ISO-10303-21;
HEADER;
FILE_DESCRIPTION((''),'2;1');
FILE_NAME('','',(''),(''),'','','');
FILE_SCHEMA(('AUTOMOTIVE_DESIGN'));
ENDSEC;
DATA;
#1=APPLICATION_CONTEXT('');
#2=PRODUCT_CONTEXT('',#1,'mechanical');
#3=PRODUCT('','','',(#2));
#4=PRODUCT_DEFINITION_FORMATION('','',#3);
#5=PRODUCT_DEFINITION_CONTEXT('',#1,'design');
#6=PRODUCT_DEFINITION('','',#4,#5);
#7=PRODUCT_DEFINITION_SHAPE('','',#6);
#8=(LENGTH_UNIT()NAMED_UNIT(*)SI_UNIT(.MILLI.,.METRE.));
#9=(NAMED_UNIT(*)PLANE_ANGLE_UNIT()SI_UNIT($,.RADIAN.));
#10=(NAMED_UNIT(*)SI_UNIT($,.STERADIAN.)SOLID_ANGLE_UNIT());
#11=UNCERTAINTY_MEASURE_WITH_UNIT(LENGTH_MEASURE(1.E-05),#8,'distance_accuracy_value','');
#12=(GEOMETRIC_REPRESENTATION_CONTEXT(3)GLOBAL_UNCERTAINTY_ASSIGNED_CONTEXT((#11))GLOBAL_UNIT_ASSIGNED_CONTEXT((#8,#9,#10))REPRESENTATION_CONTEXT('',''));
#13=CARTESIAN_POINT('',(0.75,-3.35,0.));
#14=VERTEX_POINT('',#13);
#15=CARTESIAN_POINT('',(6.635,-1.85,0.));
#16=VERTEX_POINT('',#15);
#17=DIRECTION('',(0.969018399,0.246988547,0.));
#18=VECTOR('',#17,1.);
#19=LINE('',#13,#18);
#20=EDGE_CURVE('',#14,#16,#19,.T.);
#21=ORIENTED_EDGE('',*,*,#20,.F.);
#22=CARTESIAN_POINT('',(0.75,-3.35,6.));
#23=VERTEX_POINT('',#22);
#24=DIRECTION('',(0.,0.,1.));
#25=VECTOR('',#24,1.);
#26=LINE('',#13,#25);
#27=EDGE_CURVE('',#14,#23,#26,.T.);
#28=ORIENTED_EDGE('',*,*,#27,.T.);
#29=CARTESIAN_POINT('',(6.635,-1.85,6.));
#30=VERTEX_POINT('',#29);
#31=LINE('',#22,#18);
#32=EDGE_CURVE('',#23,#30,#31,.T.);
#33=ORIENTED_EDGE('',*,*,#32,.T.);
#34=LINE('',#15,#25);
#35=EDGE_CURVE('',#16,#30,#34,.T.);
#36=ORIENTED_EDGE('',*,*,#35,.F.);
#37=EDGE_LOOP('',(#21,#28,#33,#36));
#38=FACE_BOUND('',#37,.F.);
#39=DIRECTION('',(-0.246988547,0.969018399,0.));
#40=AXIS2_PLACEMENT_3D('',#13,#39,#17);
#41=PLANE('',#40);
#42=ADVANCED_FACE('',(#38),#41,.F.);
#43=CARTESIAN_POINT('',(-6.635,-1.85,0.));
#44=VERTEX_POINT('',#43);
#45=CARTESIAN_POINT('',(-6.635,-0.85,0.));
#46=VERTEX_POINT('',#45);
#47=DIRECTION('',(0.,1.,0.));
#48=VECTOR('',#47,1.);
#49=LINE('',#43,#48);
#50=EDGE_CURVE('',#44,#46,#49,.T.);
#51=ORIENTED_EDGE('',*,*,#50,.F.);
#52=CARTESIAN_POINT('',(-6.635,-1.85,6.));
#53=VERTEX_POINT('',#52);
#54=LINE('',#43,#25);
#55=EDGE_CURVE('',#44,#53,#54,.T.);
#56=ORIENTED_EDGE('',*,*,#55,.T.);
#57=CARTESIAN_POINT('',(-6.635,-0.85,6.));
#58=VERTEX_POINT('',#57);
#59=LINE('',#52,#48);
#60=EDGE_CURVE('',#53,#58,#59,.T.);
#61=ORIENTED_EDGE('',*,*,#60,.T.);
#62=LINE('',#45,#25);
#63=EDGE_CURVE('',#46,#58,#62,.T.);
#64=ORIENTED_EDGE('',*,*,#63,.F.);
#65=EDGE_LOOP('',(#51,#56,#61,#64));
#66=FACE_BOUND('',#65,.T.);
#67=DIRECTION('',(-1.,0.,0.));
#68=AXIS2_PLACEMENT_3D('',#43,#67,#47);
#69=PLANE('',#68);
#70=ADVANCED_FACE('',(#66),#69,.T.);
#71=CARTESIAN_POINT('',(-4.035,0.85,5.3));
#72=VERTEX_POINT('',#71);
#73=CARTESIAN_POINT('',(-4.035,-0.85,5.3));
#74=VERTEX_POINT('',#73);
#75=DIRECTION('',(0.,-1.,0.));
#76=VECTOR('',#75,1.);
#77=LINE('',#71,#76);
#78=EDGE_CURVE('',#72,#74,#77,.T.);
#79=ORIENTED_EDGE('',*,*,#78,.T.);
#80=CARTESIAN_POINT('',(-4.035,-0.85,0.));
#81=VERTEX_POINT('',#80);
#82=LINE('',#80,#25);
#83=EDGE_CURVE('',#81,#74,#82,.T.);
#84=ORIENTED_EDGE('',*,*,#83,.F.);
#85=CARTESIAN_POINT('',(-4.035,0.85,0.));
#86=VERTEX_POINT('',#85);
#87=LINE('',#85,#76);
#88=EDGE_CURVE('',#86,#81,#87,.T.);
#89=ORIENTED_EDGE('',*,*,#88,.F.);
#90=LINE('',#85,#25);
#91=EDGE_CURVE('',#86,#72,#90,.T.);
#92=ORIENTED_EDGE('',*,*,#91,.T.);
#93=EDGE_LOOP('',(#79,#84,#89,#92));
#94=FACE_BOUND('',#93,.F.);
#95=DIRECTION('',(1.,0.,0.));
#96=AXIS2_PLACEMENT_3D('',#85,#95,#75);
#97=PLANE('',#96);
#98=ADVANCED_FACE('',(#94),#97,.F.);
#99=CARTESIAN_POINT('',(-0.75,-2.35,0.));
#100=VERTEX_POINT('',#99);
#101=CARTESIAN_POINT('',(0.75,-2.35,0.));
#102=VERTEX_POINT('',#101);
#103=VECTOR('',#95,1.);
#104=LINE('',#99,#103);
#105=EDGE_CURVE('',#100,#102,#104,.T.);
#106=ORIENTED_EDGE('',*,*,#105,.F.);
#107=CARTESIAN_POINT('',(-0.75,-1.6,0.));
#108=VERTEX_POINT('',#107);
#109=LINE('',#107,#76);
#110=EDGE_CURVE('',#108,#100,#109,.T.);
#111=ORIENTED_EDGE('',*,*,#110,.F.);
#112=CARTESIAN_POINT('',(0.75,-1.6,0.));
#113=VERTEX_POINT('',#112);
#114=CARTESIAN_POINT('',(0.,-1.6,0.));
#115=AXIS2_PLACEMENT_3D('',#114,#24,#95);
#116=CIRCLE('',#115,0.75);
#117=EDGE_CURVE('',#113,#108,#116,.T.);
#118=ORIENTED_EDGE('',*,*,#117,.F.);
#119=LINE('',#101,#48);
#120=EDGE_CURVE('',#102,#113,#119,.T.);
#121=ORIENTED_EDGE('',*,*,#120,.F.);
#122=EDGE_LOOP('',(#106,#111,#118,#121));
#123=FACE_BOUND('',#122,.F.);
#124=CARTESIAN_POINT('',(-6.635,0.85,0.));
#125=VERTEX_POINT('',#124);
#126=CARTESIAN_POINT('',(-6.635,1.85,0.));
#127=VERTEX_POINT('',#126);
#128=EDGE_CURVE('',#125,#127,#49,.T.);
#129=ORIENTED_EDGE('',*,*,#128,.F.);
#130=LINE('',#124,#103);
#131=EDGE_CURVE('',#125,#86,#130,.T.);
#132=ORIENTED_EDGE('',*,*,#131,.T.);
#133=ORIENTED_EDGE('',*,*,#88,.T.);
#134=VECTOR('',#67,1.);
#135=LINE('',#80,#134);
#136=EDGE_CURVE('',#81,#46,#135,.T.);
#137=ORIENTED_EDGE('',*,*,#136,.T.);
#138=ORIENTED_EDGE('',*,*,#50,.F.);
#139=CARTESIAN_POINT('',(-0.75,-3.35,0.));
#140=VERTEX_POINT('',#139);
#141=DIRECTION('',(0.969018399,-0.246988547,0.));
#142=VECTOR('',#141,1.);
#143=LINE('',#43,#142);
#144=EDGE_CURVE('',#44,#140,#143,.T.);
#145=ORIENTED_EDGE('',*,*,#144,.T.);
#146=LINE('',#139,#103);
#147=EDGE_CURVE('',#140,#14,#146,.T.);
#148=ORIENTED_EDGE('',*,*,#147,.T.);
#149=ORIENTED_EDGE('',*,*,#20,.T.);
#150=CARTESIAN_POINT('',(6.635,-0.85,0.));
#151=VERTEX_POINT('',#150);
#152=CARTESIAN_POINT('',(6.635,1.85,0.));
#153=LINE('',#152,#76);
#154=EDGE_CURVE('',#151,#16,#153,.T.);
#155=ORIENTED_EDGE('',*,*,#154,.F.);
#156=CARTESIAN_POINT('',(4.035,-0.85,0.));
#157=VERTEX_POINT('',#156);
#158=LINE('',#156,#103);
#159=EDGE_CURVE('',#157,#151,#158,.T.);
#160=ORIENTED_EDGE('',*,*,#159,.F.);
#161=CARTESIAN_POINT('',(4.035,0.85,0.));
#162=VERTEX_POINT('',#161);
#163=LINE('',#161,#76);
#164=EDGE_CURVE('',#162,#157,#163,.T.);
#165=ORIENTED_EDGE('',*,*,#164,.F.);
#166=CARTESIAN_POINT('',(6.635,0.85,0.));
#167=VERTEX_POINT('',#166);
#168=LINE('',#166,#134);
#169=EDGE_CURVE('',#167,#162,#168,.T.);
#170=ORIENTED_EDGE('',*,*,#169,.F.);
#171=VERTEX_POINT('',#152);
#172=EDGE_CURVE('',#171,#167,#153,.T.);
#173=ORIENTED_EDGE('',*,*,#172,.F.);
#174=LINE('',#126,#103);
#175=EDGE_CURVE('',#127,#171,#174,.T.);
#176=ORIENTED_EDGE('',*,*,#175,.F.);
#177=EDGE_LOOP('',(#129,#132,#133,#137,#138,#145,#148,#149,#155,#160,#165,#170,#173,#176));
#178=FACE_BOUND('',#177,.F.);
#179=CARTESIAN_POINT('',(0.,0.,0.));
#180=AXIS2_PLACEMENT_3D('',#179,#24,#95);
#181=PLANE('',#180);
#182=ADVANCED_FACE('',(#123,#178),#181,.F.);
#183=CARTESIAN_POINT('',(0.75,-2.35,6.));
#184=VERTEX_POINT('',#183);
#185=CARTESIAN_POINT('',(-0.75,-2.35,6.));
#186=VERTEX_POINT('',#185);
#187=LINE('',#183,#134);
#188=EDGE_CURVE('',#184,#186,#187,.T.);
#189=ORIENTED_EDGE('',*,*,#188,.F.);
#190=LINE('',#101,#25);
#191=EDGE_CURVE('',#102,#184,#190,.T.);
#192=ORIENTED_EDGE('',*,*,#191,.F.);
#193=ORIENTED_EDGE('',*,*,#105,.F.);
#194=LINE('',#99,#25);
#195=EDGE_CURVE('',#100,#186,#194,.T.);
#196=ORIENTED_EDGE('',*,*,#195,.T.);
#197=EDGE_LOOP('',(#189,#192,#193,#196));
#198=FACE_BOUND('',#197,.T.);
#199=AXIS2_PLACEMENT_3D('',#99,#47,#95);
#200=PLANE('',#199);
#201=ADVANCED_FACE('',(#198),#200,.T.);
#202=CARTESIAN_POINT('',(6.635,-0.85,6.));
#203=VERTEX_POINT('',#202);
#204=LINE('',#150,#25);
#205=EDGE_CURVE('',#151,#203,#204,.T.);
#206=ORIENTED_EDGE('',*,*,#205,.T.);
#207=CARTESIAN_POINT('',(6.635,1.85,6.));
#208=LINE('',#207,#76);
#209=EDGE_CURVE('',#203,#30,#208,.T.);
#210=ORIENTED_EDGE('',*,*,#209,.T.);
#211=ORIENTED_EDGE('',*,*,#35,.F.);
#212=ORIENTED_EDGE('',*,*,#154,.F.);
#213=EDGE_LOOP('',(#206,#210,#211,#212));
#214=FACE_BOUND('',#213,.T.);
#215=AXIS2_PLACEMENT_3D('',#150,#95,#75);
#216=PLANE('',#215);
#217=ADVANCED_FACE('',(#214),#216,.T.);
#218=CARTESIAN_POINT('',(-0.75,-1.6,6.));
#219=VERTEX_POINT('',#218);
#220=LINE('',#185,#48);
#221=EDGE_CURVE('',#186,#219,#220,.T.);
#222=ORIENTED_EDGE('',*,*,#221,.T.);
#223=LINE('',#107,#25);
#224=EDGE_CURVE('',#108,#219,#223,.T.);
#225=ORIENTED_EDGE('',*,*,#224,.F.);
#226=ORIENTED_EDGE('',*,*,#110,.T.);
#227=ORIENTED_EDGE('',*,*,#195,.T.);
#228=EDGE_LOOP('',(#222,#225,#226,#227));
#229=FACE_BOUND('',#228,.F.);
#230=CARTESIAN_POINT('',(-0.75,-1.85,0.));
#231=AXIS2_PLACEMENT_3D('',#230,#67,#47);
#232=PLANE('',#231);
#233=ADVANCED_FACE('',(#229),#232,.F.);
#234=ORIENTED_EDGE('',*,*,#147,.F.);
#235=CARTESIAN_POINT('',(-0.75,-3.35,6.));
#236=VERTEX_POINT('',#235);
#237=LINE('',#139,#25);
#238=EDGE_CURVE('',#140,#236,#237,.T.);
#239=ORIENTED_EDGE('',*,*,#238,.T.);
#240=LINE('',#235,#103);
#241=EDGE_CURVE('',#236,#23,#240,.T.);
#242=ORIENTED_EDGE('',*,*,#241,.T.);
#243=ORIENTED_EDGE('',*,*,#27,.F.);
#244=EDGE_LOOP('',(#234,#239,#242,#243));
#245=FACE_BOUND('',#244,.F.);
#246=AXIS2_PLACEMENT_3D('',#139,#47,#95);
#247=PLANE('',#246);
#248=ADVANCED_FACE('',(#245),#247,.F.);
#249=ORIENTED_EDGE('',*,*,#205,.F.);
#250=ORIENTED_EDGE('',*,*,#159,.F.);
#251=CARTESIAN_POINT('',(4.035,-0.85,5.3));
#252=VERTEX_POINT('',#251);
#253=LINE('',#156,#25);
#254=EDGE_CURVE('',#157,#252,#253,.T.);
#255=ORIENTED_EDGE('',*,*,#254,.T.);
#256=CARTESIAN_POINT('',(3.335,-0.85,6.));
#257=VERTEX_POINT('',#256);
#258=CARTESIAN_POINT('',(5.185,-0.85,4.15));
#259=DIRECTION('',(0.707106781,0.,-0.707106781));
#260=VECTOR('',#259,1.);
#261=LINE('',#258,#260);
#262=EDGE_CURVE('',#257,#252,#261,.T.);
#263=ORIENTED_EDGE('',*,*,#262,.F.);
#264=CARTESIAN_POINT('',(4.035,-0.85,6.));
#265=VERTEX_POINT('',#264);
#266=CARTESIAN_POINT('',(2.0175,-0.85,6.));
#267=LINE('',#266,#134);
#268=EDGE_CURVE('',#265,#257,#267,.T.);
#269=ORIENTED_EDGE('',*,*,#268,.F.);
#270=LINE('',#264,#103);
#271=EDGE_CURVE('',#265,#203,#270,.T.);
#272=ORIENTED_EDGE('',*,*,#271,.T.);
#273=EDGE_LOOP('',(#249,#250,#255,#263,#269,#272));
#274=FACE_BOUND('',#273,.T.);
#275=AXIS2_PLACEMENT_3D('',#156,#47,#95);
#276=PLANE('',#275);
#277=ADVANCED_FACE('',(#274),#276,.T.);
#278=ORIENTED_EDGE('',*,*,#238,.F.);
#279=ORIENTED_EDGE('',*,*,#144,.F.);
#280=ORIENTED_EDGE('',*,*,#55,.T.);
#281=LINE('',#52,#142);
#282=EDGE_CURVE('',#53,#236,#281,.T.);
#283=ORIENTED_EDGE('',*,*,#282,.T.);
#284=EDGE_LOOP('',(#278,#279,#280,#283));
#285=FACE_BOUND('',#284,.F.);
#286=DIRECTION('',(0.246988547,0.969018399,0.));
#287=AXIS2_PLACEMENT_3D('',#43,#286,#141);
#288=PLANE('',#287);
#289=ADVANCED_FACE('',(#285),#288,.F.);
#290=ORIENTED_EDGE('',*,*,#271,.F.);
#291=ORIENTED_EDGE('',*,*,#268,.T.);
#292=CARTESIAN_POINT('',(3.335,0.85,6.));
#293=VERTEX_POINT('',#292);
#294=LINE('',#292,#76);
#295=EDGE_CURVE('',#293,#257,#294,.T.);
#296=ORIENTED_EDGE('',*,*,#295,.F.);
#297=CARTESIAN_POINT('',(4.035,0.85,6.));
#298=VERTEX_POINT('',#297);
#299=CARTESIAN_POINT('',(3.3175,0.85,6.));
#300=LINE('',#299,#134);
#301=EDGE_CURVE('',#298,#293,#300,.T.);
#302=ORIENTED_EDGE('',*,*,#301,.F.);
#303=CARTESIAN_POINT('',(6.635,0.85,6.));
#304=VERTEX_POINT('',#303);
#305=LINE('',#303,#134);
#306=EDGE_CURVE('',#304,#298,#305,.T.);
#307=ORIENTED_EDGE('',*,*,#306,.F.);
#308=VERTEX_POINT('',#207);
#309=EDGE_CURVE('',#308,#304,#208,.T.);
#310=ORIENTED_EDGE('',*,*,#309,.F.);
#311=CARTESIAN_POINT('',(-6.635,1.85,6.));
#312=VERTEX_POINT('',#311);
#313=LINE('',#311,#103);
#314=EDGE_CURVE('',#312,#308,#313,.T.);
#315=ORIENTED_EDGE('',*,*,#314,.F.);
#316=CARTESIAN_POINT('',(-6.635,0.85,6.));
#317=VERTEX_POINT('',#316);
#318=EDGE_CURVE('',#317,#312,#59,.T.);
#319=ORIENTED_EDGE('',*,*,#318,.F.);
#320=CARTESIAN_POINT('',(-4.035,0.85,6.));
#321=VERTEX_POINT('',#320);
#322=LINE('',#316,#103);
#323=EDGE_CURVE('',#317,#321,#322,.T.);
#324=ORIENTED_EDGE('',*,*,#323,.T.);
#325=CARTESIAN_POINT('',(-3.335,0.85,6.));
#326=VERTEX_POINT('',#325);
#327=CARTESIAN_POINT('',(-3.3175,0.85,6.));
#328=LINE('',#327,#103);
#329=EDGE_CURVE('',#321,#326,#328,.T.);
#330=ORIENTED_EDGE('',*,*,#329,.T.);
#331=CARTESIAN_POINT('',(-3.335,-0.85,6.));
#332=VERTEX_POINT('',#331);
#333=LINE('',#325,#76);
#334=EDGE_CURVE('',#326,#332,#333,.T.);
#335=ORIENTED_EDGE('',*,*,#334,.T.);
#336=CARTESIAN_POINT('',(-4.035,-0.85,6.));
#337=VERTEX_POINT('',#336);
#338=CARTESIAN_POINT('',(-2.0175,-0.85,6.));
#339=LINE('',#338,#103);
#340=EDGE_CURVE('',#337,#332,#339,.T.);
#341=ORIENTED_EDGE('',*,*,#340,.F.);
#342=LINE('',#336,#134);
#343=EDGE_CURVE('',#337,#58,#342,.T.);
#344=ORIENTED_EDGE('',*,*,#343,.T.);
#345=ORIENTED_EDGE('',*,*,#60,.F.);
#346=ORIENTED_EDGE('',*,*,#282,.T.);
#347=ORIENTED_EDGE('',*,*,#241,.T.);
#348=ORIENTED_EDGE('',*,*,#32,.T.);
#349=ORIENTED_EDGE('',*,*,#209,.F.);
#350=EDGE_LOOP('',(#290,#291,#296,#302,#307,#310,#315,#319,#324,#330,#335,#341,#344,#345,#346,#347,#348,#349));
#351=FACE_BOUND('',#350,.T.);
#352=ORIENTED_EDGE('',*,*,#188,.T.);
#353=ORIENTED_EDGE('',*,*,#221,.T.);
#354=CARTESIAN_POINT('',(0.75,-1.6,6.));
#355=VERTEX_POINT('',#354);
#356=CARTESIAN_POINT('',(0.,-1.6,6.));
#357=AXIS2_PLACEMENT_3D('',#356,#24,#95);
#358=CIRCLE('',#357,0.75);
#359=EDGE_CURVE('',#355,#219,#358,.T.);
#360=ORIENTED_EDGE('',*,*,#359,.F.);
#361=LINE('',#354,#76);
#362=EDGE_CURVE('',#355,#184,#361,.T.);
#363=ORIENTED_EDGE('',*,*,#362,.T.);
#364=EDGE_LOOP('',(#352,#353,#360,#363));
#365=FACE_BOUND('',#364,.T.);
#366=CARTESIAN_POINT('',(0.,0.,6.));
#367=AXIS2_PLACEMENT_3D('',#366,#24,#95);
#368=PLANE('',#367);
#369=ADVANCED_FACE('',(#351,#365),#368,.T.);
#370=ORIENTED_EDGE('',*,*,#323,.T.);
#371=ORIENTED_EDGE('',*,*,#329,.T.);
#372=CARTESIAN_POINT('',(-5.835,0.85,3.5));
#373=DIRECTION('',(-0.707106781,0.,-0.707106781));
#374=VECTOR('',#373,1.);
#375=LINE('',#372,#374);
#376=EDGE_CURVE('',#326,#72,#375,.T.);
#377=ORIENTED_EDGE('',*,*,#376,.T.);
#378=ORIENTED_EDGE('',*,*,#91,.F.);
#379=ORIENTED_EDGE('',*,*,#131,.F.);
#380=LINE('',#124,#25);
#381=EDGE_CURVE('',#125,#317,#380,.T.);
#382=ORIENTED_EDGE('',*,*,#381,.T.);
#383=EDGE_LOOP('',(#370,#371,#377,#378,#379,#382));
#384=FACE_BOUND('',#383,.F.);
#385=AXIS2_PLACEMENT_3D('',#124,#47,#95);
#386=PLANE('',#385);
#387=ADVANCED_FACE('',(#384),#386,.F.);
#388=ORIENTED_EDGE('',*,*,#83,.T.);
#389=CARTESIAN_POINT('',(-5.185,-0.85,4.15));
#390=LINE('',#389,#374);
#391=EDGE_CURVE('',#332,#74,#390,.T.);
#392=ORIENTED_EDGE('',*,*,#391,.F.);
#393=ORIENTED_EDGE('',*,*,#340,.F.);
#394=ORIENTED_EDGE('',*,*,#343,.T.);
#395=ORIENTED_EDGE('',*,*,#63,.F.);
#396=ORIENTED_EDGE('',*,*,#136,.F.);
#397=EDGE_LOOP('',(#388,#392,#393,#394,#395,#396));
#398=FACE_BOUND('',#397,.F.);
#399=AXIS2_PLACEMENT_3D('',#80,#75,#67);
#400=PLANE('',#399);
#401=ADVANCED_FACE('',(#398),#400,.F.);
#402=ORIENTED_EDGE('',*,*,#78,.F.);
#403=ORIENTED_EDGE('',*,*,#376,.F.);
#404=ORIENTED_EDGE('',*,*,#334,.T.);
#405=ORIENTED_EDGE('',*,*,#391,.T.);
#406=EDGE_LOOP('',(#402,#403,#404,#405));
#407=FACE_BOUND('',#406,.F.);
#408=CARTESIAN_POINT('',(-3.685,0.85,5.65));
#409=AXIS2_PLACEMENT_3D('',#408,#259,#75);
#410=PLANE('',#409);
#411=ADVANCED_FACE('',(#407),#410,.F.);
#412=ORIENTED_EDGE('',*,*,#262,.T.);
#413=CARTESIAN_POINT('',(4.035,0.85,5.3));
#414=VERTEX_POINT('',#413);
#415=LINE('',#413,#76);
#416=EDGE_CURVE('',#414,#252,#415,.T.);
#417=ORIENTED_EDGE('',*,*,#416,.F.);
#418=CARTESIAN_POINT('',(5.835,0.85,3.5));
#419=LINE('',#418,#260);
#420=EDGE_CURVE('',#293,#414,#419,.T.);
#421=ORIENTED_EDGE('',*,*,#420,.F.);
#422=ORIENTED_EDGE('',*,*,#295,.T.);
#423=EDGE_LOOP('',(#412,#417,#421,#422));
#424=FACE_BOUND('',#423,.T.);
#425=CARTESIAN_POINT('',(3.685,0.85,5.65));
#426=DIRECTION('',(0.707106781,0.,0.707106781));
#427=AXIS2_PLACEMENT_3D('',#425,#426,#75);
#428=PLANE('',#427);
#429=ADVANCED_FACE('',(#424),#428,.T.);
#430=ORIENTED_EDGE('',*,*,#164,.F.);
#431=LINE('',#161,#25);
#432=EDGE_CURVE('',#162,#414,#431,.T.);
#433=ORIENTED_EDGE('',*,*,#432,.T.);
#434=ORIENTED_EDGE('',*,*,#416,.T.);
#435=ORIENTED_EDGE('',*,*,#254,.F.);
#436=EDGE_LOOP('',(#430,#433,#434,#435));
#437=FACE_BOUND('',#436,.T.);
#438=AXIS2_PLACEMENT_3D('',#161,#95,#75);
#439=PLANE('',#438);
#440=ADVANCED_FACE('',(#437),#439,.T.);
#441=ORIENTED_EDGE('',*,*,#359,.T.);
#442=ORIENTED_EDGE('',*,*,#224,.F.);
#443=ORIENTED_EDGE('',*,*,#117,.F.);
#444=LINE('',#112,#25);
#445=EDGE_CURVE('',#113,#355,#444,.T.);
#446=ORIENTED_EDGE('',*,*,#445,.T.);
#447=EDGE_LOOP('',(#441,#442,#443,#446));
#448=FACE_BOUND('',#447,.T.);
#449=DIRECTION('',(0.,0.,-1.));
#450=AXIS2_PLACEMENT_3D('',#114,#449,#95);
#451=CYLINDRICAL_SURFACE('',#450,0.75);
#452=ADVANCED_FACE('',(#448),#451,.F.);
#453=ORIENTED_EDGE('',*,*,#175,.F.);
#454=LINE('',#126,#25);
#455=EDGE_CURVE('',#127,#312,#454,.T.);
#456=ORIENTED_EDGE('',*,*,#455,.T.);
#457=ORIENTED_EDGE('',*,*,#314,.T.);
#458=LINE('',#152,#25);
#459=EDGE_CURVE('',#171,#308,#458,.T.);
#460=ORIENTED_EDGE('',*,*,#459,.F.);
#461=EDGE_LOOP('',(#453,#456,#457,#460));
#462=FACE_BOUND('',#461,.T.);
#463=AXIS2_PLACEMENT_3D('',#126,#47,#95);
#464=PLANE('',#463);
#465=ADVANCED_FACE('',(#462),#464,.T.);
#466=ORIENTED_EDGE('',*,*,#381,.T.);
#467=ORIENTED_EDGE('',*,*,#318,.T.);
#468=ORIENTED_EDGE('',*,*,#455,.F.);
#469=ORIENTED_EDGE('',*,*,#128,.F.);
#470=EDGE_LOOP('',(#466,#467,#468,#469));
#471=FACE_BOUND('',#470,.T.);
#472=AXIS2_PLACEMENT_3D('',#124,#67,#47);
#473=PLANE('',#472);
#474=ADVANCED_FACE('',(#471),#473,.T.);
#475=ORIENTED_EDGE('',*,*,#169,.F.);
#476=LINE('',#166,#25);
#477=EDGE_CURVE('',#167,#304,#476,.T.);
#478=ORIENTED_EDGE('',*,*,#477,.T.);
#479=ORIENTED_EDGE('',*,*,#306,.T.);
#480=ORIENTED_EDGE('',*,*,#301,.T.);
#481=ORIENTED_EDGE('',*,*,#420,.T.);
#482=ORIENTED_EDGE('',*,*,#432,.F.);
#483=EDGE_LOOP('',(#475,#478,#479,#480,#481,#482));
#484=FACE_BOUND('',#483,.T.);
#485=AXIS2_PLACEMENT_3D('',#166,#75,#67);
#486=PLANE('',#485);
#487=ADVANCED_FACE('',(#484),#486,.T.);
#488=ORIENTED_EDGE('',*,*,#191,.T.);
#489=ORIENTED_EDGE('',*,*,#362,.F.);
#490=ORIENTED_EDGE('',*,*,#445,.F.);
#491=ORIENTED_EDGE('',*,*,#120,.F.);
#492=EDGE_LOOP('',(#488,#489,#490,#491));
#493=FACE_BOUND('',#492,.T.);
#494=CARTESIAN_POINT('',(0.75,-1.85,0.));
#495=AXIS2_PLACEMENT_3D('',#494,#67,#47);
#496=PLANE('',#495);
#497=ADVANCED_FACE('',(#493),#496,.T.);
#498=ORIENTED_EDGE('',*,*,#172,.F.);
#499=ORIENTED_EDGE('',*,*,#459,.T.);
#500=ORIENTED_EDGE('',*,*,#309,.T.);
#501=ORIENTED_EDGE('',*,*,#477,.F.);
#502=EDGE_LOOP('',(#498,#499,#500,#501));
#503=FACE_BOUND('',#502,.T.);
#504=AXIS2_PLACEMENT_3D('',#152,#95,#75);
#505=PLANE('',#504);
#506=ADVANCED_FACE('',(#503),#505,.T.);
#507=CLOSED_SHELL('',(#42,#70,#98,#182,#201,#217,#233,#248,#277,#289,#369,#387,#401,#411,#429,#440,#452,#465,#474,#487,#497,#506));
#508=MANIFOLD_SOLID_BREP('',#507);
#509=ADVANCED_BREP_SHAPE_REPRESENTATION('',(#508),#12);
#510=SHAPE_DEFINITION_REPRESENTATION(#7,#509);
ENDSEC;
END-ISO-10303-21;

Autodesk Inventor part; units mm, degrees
ref_plane "YZ Plane" through (0, 0, 0) normal (1, 0, 0) x (0, 1, 0)
ref_plane "XZ Plane" through (0, 0, 0) normal (0, 1, 0) x (-1, 0, 0)
ref_plane "XY Plane" through (0, 0, 0) normal (0, 0, 1) x (1, 0, 0)
sketch "Sketch1" plane through (0, 0, 0) normal (0, 0, 1) x (1, 0, 0)
  line L0 (-6.635, 1.85) -> (6.635, 1.85)
  line L1 (6.635, 1.85) -> (6.635, -1.85)
  line L2 (6.635, -1.85) -> (0.7071, -1.85)
  line L3 (-6.635, -1.85) -> (-6.635, 1.85)
  line L4 (-6.635, 1.85) -> (6.635, -1.85) construction
  line L5 (6.635, 1.85) -> (-6.635, -1.85) construction
  line L6 (-6.635, 0.85) -> (-4.035, 0.85)
  line L7 (-4.035, 0.85) -> (-4.035, -0.85)
  line L8 (-4.035, -0.85) -> (-6.635, -0.85)
  line L9 (-6.635, -0.85) -> (-6.635, 0.85)
  line L10 (6.635, 0.85) -> (4.035, 0.85)
  line L11 (4.035, 0.85) -> (4.035, -0.85)
  line L12 (4.035, -0.85) -> (6.635, -0.85)
  line L13 (6.635, -0.85) -> (6.635, 0.85)
  line L14 (-4.035, 0) -> (-6.635, 0) construction
  line L15 (6.635, 0) -> (4.035, 0) construction
  circle A0 centre (0, -1.6) radius 0.75
  line L16 (-0.75, -2.35) -> (0.75, -2.35)
  line L17 (0.75, -2.35) -> (0.75, -1.85)
  line L18 (-0.75, -2.35) -> (-0.75, -1.85)
  line L19 (-0.7071, -1.85) -> (-6.635, -1.85)
  line L20 (0.7071, -1.85) -> (-0.7071, -1.85)
  line L21 (-6.635, -1.85) -> (-0.75, -3.35)
  line L22 (-0.75, -3.35) -> (0.75, -3.35)
  line L23 (0.75, -3.35) -> (6.635, -1.85)
  line L24 (-0.75, -1.85) -> (-0.75, -1.6)
  line L25 (0.75, -1.85) -> (0.75, -1.6)
  point P0 (0, 0)
  point P1 (0, 0)
  point P2 (0, 0)
  dimension "d0" = 2.6
  dimension "d1" = 2.6
  dimension "d2" = 13.27
  dimension "d3" = 1.7
  dimension "d4" = 1
  dimension "d7" = 1.5
  dimension "d8" = 1
extrude "Extrusion2" add sketch "Sketch1" along normal blind 6 contours L0 L1 L10 L11 L12 L2 L25 A0 L24 L19 L3 L8 L7 L6 | L19 L18 L16 L17 L2 L23 L22 L21
chamfer "Chamfer1" distance 0.7 angle 45 2 edges at (-4.035, 0, 6) (4.035, 0, 6)
equation "\"d1\" = d0"
properties part number "glass_holder"
